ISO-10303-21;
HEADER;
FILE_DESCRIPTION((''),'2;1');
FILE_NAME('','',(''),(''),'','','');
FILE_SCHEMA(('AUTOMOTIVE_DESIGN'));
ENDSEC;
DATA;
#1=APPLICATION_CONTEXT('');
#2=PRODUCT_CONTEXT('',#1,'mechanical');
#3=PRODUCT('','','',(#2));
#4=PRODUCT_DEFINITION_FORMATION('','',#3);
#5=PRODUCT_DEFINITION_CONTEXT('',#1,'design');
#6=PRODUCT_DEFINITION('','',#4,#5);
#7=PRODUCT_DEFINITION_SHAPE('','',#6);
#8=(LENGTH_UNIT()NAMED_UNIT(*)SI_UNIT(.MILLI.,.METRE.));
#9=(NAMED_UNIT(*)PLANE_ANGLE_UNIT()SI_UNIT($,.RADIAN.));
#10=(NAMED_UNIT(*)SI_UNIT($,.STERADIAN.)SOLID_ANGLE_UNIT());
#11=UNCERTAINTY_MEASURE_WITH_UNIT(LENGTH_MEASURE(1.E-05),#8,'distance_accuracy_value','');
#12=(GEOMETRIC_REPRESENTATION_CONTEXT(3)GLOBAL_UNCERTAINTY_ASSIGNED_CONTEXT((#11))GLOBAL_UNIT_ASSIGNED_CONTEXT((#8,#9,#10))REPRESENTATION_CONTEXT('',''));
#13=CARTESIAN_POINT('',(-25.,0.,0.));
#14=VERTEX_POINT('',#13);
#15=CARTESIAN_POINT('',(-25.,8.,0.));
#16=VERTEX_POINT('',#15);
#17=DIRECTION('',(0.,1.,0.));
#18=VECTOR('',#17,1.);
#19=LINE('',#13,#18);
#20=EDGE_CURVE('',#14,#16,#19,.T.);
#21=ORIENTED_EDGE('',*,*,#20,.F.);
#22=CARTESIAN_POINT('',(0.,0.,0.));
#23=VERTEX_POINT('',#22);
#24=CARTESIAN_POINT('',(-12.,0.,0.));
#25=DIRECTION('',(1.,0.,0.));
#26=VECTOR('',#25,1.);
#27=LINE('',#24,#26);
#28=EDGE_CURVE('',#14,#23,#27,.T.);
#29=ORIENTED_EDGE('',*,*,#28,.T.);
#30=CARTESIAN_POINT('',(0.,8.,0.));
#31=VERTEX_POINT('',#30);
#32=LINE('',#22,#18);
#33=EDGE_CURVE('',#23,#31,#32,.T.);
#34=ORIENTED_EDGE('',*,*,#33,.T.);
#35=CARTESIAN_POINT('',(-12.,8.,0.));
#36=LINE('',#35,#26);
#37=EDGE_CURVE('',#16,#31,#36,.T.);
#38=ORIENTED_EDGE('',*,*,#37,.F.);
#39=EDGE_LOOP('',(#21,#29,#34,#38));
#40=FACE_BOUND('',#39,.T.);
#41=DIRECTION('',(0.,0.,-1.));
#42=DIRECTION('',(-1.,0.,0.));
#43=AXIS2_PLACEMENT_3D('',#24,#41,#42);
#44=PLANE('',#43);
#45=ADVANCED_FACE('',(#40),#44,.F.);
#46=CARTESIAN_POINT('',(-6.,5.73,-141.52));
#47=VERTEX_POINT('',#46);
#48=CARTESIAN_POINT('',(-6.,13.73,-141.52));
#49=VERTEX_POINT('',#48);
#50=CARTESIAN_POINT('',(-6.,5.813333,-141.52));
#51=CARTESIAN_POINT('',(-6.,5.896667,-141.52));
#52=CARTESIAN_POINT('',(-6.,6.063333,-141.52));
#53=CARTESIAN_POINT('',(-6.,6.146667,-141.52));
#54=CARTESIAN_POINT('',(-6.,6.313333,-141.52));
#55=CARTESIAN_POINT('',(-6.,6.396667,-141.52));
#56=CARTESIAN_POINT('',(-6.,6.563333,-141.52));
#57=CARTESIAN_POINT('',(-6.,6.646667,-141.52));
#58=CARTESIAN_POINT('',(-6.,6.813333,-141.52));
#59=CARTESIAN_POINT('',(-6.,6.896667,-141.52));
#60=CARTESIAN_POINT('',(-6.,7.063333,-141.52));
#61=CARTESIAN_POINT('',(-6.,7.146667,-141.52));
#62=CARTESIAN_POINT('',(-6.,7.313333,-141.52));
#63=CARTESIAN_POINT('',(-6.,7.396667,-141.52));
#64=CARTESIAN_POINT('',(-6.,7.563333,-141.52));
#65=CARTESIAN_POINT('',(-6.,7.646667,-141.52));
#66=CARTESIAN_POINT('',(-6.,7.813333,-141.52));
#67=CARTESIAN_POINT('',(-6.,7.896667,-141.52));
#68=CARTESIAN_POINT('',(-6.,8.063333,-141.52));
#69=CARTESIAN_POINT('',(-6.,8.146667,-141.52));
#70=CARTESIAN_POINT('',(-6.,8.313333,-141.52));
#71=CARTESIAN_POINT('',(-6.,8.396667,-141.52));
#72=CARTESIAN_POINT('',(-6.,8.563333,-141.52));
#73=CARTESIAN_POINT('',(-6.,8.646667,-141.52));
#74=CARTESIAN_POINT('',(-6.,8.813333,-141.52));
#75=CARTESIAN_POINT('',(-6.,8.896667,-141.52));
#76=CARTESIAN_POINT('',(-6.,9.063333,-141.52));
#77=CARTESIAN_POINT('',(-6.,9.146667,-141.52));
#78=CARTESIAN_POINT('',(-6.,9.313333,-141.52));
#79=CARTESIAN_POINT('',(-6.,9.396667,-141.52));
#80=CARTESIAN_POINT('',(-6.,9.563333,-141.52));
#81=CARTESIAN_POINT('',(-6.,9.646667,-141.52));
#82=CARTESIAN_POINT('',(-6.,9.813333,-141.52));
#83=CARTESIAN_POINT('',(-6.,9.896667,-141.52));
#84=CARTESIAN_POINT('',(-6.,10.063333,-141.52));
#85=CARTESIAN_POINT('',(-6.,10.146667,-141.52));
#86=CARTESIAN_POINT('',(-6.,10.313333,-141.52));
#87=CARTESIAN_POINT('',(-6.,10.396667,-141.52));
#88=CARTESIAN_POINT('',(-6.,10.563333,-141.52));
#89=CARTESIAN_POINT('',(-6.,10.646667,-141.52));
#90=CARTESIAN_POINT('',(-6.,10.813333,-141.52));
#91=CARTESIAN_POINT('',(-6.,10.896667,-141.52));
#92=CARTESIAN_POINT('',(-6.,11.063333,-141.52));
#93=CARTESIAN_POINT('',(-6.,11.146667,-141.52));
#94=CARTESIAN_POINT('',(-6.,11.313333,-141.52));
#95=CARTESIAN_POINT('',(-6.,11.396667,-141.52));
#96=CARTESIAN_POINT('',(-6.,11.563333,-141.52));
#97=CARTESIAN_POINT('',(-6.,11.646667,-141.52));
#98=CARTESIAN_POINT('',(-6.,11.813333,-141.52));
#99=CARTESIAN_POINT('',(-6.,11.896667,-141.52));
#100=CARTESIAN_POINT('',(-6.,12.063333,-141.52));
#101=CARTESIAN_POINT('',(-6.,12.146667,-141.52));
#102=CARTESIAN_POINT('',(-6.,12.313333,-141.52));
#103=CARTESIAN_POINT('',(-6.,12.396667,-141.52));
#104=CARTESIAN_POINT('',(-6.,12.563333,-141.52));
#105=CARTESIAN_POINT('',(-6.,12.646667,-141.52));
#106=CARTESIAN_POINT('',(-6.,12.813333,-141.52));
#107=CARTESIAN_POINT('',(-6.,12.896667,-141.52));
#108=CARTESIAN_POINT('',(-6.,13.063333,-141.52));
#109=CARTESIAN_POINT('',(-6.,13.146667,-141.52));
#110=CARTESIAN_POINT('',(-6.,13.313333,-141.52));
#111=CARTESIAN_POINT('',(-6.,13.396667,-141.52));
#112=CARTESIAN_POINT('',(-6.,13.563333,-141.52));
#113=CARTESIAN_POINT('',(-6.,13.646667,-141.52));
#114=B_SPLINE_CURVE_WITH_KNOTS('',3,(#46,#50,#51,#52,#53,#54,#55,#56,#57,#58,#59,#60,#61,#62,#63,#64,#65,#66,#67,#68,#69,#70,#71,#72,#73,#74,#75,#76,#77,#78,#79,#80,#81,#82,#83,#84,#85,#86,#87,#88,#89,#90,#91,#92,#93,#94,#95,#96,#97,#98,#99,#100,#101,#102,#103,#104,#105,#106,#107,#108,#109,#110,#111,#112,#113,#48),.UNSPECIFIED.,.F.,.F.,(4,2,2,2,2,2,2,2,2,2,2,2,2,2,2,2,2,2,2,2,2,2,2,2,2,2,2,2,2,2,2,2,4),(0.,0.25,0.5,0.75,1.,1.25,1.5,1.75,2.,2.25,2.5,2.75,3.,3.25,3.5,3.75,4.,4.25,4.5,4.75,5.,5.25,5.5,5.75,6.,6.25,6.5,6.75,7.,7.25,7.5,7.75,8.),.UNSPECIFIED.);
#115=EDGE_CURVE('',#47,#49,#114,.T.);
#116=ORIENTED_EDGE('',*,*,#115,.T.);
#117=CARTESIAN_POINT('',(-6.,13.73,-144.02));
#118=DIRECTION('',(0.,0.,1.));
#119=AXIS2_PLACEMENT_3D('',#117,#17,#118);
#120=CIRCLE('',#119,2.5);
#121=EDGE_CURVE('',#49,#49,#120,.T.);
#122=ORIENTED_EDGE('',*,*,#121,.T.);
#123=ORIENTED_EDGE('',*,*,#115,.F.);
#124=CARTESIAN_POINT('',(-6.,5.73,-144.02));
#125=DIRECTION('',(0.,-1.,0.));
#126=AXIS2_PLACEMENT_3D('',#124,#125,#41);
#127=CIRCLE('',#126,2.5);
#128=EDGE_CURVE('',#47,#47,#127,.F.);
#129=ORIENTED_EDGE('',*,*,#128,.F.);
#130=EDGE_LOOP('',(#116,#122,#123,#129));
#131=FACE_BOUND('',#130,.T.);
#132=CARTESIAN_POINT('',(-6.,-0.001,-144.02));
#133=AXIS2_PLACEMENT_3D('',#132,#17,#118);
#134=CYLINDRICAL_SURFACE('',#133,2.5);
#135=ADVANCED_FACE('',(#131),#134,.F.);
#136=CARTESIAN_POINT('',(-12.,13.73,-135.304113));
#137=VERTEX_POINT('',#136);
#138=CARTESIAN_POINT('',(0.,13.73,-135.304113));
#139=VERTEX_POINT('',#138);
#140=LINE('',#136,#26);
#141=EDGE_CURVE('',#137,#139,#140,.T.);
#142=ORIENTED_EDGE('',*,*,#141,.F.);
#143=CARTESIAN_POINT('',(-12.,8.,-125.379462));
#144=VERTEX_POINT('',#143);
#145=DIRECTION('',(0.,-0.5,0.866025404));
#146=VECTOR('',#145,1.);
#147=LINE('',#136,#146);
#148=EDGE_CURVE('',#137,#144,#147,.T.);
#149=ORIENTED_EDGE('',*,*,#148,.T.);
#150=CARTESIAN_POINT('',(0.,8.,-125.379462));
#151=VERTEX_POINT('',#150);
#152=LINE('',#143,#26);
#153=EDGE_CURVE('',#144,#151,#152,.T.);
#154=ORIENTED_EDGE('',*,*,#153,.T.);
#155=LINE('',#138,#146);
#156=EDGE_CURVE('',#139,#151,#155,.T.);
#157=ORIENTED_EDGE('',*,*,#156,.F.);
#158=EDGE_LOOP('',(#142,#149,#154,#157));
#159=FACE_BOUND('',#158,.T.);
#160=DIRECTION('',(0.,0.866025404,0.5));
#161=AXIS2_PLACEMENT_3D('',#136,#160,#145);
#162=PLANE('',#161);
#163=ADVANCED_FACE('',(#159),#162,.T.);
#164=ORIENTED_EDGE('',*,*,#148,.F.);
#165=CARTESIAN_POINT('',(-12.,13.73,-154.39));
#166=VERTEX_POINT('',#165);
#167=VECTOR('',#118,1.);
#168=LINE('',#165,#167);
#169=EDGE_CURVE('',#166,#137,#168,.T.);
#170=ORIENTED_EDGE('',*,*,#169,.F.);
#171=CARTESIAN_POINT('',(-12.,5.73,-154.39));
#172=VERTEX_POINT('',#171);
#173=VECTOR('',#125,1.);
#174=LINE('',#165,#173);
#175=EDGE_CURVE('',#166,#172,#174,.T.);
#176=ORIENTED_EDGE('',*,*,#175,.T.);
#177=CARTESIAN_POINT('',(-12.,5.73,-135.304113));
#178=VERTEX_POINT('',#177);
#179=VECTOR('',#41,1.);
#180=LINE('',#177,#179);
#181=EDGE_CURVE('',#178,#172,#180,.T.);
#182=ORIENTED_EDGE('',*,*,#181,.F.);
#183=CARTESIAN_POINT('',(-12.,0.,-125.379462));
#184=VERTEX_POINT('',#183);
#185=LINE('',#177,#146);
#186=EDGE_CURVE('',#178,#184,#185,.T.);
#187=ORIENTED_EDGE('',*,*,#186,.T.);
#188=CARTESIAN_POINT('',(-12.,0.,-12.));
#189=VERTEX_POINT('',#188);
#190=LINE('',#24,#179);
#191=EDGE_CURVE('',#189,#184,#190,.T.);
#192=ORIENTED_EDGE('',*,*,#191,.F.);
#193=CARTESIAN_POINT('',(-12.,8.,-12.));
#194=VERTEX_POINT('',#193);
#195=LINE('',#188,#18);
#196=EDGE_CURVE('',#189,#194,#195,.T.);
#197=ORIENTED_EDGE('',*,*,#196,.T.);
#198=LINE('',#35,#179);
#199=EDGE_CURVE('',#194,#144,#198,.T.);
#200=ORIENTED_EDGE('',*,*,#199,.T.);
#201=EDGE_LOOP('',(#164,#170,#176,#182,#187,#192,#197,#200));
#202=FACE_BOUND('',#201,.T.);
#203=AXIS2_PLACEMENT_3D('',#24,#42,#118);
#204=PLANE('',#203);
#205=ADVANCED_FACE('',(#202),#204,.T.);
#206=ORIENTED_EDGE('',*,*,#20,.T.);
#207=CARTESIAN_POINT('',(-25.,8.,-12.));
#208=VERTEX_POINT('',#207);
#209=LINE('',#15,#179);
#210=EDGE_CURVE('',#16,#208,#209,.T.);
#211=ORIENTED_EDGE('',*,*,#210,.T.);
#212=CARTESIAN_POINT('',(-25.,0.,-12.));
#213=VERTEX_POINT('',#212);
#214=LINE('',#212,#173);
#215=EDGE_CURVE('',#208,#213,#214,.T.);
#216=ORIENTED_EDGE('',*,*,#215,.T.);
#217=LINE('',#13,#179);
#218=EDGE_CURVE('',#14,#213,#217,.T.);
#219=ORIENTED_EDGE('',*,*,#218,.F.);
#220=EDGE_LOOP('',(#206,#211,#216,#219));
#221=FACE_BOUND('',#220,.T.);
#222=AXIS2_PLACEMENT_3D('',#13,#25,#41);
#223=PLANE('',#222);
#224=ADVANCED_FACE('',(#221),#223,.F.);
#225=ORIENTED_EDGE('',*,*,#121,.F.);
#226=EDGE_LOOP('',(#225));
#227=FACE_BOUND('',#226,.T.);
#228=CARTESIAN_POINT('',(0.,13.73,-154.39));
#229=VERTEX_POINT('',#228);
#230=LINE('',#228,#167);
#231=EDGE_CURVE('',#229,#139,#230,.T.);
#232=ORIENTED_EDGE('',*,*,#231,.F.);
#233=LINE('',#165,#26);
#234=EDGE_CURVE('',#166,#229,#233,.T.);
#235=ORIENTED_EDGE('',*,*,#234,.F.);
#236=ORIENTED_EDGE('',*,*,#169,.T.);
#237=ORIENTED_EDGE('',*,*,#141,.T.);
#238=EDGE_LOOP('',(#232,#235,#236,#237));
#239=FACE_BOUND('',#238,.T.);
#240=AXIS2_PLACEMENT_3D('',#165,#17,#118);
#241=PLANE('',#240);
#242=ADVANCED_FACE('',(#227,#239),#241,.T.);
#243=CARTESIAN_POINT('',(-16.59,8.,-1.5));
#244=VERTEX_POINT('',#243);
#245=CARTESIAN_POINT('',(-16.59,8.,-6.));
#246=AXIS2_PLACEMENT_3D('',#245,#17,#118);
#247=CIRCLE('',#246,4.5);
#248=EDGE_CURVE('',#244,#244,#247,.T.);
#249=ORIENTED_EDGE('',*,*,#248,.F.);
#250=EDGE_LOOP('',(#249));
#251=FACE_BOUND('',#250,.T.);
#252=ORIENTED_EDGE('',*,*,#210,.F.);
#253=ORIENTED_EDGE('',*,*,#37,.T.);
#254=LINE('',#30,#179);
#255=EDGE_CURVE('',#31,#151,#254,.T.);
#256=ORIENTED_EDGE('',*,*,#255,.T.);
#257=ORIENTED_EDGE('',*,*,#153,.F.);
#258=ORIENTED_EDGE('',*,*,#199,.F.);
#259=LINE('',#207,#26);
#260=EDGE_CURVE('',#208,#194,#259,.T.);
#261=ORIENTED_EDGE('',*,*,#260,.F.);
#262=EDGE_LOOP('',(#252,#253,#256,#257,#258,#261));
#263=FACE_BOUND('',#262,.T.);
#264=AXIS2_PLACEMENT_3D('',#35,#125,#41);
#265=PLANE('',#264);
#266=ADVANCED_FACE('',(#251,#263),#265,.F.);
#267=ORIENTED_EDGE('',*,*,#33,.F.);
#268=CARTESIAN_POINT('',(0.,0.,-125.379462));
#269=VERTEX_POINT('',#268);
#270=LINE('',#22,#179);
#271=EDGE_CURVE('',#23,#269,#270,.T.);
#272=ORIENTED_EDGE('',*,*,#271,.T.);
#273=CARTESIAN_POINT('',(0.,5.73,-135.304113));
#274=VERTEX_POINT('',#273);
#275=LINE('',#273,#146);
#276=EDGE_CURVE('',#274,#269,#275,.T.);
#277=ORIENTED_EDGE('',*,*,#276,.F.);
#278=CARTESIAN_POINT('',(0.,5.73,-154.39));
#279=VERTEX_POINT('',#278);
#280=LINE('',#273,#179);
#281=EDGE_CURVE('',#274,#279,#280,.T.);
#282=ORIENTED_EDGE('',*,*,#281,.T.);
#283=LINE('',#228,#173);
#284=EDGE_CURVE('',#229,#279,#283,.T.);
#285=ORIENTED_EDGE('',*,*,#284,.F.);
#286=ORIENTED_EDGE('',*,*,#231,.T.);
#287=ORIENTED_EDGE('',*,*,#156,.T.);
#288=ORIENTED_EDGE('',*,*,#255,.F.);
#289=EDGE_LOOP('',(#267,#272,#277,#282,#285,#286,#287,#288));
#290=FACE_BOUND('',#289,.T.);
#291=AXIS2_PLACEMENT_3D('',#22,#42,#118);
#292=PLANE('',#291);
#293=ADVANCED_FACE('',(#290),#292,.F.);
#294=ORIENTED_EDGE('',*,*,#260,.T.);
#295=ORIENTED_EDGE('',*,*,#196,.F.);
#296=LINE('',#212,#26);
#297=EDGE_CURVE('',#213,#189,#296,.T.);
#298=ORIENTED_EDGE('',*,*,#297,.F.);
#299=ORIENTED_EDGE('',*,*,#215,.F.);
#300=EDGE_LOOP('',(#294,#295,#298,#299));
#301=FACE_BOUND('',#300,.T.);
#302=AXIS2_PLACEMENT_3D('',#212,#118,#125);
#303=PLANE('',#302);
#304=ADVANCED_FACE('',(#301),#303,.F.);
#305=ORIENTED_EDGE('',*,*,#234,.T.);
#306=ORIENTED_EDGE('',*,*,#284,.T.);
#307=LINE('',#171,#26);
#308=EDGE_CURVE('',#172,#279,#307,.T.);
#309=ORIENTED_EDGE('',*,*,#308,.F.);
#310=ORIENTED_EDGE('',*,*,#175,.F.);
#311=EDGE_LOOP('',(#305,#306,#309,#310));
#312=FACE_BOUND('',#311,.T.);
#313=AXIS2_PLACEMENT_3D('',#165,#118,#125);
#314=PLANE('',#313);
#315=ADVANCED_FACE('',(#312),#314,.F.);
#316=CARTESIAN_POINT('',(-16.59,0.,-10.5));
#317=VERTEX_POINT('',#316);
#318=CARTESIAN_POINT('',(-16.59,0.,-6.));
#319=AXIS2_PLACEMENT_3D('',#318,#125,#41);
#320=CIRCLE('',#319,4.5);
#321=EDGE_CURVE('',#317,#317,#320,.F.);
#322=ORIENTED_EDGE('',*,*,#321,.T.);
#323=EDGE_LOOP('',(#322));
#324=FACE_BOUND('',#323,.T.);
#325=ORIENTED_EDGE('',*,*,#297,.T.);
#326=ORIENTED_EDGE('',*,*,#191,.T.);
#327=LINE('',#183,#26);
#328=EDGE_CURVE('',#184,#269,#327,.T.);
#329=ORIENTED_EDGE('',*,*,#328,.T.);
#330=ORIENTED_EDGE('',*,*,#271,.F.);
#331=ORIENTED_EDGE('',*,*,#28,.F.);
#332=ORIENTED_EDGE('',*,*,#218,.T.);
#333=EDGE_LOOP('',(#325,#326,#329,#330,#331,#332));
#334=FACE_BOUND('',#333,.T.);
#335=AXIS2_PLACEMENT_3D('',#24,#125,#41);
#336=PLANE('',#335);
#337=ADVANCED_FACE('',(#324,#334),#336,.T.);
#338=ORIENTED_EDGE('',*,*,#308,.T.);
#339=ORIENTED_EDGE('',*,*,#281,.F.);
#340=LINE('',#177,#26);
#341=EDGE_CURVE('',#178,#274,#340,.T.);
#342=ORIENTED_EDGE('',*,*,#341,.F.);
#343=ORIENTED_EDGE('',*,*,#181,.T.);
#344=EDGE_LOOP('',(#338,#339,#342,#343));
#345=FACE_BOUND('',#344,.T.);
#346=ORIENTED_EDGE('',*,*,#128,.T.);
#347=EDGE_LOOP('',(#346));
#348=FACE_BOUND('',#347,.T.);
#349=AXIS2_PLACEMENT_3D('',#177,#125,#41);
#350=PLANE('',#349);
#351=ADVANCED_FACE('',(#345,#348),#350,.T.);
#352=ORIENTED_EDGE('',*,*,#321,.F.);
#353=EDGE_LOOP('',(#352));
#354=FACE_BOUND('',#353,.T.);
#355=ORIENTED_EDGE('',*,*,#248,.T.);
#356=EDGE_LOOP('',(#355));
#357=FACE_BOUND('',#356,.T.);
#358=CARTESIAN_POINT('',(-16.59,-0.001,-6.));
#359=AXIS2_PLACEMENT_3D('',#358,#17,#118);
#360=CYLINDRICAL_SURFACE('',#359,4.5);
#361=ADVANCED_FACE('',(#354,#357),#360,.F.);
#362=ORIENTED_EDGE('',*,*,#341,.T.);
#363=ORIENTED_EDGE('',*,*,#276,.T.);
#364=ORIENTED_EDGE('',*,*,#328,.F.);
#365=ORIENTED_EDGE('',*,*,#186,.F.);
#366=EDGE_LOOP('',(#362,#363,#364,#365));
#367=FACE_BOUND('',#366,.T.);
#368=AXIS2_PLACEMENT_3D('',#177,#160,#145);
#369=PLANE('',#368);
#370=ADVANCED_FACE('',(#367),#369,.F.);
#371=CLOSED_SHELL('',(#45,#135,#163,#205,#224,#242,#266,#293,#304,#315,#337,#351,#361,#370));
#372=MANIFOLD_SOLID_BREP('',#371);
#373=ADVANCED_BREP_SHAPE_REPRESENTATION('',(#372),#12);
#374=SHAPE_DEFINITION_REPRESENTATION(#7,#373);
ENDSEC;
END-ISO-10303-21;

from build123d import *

# Parameters (mm, degrees)
BOSS_EXTRUDE1_DEPTH = 12
SKETCH1_3_W         = 12
SKETCH1_3_H         = 8
BOSS_EXTRUDE2_DEPTH = 25
SKETCH2_R           = 4.5
CUT_EXTRUDE1_DEPTH  = 8
SKETCH4_R           = 2.5
CUT_EXTRUDE2_DEPTH  = 8


with BuildPart() as part:
    # Sketch1 → Boss-Extrude1 (new body)
    with BuildSketch(Plane(origin=(0, 0, 0), x_dir=(0, 0, -1), z_dir=(1, 0, 0))):
        Polygon((0, 0), (125.37946203, 0), (135.304113157, 5.73), (154.39, 5.73), (154.39, 13.73), (135.304113157, 13.73), (125.37946203, 8), (0, 8), align=None)
    extrude(amount=-BOSS_EXTRUDE1_DEPTH)

    # Sketch1<3> → Boss-Extrude2 (add)
    with BuildSketch(Plane(origin=(0, 0, 0), x_dir=(0, 0, -1), z_dir=(1, 0, 0))):
        with Locations((6, 4)):
            Rectangle(SKETCH1_3_W, SKETCH1_3_H)
    extrude(amount=-BOSS_EXTRUDE2_DEPTH)

    # Sketch2 → Cut-Extrude1 (cut)
    with BuildSketch(Plane(origin=(0, 8, 0), x_dir=(1, 0, 0), z_dir=(0, 1, 0))):
        with Locations(Location((-16.59, 6, 0), (0, 0, 270))):
            Circle(SKETCH2_R)
    extrude(amount=-CUT_EXTRUDE1_DEPTH, mode=Mode.SUBTRACT)

    # Sketch4 → Cut-Extrude2 (cut)
    with BuildSketch(Plane(origin=(0, 13.73, 0), x_dir=(1, 0, 0), z_dir=(0, 1, 0))):
        with Locations(Location((-6, 144.02, 0), (0, 0, 270))):
            Circle(SKETCH4_R)
    extrude(amount=-CUT_EXTRUDE2_DEPTH, mode=Mode.SUBTRACT)


solid = part.part
